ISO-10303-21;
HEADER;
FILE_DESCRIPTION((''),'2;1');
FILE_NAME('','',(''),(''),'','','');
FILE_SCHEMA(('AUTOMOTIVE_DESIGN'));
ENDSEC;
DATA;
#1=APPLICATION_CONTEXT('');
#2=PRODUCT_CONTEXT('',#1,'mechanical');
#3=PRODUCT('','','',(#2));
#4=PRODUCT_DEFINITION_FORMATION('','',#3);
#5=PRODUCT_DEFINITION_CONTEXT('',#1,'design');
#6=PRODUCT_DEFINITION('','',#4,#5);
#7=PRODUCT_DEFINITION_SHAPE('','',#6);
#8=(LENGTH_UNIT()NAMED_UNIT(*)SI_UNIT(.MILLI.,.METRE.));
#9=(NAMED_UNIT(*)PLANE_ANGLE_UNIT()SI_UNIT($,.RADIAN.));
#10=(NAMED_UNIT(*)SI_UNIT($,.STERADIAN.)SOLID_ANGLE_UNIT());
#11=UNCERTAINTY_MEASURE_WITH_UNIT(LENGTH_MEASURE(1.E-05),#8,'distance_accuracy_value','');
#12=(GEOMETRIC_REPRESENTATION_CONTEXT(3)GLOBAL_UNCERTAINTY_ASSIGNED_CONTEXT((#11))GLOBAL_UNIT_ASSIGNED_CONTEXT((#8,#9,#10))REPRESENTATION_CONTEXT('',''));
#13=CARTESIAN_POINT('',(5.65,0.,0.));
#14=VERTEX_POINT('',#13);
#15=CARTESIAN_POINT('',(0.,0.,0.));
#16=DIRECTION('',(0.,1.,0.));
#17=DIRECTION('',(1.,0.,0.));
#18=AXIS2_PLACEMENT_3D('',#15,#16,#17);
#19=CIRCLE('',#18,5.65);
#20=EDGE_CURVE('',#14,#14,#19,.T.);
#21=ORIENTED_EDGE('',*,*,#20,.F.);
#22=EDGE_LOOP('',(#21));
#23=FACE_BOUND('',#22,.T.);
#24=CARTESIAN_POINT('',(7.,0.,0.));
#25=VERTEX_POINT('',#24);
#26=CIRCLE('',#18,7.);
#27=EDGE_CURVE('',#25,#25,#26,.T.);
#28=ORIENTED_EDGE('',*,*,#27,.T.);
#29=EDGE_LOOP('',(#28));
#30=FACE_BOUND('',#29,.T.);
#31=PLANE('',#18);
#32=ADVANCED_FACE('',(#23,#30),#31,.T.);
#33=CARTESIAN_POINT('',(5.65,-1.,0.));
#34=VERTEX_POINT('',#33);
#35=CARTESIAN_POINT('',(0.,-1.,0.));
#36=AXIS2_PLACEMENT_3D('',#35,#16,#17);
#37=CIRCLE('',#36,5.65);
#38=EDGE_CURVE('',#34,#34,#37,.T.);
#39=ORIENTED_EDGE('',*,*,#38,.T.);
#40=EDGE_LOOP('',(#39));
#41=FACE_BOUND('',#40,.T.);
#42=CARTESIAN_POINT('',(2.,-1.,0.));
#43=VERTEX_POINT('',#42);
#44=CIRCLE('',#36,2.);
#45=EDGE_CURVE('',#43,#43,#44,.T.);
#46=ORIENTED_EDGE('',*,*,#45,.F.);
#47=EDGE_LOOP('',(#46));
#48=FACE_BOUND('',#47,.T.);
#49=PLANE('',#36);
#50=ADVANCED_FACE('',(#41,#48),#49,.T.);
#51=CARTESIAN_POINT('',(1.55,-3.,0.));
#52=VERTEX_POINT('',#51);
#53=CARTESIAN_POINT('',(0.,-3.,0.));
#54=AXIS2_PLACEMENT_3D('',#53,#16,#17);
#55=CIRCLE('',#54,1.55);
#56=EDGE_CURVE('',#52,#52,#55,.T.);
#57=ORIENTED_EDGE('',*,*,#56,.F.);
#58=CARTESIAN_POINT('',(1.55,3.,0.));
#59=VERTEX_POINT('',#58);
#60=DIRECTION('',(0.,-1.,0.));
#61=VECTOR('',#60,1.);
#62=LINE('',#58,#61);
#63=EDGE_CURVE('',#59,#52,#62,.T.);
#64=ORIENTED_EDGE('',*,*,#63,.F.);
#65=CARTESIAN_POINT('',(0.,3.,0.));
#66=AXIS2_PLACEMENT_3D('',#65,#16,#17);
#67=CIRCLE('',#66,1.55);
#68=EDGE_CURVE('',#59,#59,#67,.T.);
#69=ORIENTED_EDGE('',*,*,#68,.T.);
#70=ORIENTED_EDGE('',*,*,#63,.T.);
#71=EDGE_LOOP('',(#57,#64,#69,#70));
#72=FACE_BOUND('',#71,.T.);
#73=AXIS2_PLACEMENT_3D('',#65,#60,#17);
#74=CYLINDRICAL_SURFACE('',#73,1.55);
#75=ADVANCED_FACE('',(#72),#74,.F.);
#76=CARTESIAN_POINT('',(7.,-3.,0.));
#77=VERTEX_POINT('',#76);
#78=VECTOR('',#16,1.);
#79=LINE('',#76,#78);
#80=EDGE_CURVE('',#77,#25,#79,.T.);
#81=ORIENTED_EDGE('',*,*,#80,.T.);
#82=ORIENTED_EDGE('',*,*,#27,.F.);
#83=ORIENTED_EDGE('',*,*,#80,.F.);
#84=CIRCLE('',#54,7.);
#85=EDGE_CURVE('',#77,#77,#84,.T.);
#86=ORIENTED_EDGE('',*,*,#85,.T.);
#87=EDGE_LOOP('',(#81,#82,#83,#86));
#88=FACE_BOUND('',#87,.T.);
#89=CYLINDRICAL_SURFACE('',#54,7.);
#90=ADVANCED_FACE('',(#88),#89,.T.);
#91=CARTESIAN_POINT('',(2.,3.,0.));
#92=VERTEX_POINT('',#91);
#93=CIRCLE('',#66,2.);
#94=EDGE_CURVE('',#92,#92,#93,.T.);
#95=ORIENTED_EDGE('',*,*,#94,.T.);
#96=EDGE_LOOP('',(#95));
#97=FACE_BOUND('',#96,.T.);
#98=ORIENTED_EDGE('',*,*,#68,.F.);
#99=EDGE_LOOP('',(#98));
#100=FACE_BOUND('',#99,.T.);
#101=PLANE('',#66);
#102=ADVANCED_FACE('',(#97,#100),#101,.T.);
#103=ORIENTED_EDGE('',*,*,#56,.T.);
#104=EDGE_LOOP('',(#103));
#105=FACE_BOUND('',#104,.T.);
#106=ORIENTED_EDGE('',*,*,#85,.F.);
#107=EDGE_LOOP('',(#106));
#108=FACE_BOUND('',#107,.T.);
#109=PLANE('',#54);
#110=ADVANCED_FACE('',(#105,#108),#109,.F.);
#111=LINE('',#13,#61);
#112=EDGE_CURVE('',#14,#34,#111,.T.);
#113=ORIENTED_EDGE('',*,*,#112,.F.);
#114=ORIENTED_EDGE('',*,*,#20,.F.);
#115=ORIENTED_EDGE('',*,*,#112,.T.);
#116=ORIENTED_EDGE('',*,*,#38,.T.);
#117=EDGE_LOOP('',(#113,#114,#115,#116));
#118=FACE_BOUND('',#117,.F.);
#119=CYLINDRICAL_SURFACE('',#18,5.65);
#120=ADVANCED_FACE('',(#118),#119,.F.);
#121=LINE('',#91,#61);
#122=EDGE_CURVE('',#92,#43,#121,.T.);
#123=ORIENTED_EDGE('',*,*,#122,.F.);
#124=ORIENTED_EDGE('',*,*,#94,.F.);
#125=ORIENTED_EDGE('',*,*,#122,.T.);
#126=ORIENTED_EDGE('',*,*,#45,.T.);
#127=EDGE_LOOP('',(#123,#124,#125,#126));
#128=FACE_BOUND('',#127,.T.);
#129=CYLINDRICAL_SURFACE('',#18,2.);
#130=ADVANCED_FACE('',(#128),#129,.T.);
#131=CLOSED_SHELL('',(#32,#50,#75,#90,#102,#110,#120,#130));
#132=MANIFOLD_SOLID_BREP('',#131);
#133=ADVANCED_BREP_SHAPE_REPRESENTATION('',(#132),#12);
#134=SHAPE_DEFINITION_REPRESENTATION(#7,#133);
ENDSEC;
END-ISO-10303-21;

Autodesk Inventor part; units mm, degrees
ref_plane "YZ Plane" through (0, 0, 0) normal (1, 0, 0) x (0, 1, 0)
ref_plane "XZ Plane" through (0, 0, 0) normal (0, 1, 0) x (-1, 0, 0)
ref_plane "XY Plane" through (0, 0, 0) normal (0, 0, 1) x (1, 0, 0)
sketch "スケッチ1" plane through (0, 0, 0) normal (0, 0, 1) x (1, 0, 0)
  line L0 (1.55, 3) -> (1.55, -3)
  line L1 (1.55, -3) -> (7, -3)
  line L2 (7, -3) -> (7, 0)
  line L3 (7, 0) -> (2, 0)
  line L4 (2, 0) -> (2, 3)
  line L5 (2, 3) -> (1.55, 3)
  line L6 (0, -4.2) -> (0, 4.2) projected
  point P0 (0, 0)
  point P1 (1.55, 0)
  dimension "d0" = 1.55
  dimension "d1" = 2
  dimension "d2" = 3
  dimension "d3" = 7
  dimension "d4" = 3
revolve "回転1" add sketch "スケッチ1" angle 360 about axis through (0, -10, 0) along (0, 1, 0)
sketch "スケッチ2" plane through (0, 0, 0) normal (0, 1, 0) x (1, 0, 0)
  circle A0 centre (0, 0) radius 2 projected
  circle A1 centre (0, 0) radius 7 projected
  circle A2 centre (0, 0) radius 5.65
  dimension "d6" = 11.3
extrude "押し出し1" cut sketch "スケッチ2" against normal blind 1 contours A2
properties part number "付け根_サブフレーム_1_4" material "アセタール樹脂、黒"
